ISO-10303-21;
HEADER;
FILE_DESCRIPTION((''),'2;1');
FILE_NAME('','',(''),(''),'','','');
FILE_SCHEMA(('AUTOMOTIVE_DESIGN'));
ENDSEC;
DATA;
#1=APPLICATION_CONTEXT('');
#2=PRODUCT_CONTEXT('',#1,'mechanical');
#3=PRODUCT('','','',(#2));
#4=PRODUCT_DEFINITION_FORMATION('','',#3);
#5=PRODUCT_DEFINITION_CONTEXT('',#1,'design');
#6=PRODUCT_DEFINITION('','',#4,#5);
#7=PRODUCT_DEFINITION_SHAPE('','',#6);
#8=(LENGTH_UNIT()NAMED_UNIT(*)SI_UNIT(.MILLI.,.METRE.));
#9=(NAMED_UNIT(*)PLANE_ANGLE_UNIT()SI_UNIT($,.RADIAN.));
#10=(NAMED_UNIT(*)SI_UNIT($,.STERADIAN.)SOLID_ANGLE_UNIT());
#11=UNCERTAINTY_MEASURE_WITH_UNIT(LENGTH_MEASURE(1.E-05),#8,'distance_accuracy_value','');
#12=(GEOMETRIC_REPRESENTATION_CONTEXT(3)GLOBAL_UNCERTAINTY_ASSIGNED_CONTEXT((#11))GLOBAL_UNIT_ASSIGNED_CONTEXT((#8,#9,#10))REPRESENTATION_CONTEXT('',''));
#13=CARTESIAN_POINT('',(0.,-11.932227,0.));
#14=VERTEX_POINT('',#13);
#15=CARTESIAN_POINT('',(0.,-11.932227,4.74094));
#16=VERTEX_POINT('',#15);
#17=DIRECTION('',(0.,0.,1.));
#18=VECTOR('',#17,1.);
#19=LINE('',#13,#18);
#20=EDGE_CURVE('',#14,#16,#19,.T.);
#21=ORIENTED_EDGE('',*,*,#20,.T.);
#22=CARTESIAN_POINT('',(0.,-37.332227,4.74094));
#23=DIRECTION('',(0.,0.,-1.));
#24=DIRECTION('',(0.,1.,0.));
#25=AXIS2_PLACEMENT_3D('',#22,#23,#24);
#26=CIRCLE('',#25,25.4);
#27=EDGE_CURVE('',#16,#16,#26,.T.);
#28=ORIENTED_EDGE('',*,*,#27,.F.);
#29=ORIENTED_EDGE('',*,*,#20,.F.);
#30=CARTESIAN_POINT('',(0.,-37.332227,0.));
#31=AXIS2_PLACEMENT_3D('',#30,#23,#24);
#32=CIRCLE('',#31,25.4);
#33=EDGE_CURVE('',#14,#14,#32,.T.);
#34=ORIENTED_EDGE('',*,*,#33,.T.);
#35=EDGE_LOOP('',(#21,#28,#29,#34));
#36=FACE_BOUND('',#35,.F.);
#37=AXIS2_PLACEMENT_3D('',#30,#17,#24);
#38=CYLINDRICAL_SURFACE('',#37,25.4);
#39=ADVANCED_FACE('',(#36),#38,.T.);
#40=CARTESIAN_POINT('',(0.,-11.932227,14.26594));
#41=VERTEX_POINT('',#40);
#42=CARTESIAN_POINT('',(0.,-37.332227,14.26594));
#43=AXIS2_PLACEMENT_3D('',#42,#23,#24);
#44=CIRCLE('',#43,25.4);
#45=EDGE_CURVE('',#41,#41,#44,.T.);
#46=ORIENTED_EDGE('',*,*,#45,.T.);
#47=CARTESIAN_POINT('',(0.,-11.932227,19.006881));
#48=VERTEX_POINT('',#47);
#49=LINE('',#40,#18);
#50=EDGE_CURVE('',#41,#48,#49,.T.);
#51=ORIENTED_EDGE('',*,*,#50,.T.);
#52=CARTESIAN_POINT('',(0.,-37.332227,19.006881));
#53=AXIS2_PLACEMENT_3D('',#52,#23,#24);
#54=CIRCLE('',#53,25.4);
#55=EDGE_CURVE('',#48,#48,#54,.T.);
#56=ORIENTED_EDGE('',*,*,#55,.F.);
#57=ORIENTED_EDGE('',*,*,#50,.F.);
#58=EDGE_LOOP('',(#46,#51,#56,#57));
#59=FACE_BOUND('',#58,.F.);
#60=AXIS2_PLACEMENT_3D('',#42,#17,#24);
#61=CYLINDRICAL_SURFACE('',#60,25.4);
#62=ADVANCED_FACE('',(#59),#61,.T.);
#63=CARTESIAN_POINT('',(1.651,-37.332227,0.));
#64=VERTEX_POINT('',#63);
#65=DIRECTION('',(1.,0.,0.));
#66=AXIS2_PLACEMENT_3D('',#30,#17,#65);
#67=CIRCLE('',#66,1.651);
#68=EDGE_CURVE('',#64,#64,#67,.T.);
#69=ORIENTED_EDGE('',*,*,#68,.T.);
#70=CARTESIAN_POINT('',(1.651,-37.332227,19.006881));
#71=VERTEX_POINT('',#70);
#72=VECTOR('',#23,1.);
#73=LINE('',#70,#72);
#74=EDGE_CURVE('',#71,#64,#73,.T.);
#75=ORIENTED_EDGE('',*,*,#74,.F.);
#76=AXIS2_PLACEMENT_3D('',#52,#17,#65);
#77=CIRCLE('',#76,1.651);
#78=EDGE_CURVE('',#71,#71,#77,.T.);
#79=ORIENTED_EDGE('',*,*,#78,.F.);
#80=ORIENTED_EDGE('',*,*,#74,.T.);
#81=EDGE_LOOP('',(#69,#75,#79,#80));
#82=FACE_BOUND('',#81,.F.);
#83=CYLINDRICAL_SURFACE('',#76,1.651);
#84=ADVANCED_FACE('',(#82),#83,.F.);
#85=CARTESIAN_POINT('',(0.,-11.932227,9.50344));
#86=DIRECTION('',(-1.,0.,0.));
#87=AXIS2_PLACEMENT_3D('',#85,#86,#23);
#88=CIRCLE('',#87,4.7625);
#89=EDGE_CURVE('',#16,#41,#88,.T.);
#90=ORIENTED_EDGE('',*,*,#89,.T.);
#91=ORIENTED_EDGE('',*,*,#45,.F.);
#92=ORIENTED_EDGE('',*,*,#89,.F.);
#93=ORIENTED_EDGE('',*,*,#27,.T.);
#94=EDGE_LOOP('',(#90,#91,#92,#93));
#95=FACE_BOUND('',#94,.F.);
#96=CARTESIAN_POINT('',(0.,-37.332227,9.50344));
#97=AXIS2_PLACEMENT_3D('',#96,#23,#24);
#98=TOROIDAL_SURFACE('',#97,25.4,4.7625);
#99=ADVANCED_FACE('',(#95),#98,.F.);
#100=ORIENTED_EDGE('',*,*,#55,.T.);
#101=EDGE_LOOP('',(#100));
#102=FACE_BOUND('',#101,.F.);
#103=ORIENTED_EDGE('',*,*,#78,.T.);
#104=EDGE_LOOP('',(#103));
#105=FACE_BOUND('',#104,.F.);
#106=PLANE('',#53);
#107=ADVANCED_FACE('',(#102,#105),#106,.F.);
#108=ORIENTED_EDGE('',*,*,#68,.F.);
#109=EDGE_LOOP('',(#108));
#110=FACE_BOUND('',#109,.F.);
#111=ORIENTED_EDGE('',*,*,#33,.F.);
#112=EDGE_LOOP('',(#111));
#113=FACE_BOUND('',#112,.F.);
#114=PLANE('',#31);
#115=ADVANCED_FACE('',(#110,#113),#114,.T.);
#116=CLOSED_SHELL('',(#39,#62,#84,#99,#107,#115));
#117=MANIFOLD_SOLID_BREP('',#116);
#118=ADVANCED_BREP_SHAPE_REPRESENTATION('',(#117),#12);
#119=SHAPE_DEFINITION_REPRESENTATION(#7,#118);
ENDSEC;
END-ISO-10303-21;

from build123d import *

# Parameters (mm, degrees)
F2_R     = 1.651
F3_DEPTH = 25.4


with BuildPart() as f1:
    # F0 (on Right) → F1 (revolve)
    with BuildSketch(Plane.YZ):
        with BuildLine():
            Line((-11.932227, 19.006881), (-37.332227, 19.006881))
            Line((-37.332227, 19.006881), (-37.332227, 0))
            Line((-37.332227, 0), (-11.932227, 0))
            Line((-11.932227, 0), (-11.932227, 4.74094))
            ThreePointArc((-11.932227, 4.74094), (-16.694727, 9.50344), (-11.932227, 14.26594))
            Line((-11.932227, 14.26594), (-11.932227, 19.006881))
        make_face()
    revolve(axis=Axis((0, -37.332227, 9.50344), (0, 0, -1)))

    # F2 (on face) → F3 (cut)
    with BuildSketch(Plane.XY.offset(19.006881)):
        with Locations((0, -37.332227)):
            Circle(F2_R)
    extrude(amount=-F3_DEPTH, mode=Mode.SUBTRACT)


solid = f1.part
